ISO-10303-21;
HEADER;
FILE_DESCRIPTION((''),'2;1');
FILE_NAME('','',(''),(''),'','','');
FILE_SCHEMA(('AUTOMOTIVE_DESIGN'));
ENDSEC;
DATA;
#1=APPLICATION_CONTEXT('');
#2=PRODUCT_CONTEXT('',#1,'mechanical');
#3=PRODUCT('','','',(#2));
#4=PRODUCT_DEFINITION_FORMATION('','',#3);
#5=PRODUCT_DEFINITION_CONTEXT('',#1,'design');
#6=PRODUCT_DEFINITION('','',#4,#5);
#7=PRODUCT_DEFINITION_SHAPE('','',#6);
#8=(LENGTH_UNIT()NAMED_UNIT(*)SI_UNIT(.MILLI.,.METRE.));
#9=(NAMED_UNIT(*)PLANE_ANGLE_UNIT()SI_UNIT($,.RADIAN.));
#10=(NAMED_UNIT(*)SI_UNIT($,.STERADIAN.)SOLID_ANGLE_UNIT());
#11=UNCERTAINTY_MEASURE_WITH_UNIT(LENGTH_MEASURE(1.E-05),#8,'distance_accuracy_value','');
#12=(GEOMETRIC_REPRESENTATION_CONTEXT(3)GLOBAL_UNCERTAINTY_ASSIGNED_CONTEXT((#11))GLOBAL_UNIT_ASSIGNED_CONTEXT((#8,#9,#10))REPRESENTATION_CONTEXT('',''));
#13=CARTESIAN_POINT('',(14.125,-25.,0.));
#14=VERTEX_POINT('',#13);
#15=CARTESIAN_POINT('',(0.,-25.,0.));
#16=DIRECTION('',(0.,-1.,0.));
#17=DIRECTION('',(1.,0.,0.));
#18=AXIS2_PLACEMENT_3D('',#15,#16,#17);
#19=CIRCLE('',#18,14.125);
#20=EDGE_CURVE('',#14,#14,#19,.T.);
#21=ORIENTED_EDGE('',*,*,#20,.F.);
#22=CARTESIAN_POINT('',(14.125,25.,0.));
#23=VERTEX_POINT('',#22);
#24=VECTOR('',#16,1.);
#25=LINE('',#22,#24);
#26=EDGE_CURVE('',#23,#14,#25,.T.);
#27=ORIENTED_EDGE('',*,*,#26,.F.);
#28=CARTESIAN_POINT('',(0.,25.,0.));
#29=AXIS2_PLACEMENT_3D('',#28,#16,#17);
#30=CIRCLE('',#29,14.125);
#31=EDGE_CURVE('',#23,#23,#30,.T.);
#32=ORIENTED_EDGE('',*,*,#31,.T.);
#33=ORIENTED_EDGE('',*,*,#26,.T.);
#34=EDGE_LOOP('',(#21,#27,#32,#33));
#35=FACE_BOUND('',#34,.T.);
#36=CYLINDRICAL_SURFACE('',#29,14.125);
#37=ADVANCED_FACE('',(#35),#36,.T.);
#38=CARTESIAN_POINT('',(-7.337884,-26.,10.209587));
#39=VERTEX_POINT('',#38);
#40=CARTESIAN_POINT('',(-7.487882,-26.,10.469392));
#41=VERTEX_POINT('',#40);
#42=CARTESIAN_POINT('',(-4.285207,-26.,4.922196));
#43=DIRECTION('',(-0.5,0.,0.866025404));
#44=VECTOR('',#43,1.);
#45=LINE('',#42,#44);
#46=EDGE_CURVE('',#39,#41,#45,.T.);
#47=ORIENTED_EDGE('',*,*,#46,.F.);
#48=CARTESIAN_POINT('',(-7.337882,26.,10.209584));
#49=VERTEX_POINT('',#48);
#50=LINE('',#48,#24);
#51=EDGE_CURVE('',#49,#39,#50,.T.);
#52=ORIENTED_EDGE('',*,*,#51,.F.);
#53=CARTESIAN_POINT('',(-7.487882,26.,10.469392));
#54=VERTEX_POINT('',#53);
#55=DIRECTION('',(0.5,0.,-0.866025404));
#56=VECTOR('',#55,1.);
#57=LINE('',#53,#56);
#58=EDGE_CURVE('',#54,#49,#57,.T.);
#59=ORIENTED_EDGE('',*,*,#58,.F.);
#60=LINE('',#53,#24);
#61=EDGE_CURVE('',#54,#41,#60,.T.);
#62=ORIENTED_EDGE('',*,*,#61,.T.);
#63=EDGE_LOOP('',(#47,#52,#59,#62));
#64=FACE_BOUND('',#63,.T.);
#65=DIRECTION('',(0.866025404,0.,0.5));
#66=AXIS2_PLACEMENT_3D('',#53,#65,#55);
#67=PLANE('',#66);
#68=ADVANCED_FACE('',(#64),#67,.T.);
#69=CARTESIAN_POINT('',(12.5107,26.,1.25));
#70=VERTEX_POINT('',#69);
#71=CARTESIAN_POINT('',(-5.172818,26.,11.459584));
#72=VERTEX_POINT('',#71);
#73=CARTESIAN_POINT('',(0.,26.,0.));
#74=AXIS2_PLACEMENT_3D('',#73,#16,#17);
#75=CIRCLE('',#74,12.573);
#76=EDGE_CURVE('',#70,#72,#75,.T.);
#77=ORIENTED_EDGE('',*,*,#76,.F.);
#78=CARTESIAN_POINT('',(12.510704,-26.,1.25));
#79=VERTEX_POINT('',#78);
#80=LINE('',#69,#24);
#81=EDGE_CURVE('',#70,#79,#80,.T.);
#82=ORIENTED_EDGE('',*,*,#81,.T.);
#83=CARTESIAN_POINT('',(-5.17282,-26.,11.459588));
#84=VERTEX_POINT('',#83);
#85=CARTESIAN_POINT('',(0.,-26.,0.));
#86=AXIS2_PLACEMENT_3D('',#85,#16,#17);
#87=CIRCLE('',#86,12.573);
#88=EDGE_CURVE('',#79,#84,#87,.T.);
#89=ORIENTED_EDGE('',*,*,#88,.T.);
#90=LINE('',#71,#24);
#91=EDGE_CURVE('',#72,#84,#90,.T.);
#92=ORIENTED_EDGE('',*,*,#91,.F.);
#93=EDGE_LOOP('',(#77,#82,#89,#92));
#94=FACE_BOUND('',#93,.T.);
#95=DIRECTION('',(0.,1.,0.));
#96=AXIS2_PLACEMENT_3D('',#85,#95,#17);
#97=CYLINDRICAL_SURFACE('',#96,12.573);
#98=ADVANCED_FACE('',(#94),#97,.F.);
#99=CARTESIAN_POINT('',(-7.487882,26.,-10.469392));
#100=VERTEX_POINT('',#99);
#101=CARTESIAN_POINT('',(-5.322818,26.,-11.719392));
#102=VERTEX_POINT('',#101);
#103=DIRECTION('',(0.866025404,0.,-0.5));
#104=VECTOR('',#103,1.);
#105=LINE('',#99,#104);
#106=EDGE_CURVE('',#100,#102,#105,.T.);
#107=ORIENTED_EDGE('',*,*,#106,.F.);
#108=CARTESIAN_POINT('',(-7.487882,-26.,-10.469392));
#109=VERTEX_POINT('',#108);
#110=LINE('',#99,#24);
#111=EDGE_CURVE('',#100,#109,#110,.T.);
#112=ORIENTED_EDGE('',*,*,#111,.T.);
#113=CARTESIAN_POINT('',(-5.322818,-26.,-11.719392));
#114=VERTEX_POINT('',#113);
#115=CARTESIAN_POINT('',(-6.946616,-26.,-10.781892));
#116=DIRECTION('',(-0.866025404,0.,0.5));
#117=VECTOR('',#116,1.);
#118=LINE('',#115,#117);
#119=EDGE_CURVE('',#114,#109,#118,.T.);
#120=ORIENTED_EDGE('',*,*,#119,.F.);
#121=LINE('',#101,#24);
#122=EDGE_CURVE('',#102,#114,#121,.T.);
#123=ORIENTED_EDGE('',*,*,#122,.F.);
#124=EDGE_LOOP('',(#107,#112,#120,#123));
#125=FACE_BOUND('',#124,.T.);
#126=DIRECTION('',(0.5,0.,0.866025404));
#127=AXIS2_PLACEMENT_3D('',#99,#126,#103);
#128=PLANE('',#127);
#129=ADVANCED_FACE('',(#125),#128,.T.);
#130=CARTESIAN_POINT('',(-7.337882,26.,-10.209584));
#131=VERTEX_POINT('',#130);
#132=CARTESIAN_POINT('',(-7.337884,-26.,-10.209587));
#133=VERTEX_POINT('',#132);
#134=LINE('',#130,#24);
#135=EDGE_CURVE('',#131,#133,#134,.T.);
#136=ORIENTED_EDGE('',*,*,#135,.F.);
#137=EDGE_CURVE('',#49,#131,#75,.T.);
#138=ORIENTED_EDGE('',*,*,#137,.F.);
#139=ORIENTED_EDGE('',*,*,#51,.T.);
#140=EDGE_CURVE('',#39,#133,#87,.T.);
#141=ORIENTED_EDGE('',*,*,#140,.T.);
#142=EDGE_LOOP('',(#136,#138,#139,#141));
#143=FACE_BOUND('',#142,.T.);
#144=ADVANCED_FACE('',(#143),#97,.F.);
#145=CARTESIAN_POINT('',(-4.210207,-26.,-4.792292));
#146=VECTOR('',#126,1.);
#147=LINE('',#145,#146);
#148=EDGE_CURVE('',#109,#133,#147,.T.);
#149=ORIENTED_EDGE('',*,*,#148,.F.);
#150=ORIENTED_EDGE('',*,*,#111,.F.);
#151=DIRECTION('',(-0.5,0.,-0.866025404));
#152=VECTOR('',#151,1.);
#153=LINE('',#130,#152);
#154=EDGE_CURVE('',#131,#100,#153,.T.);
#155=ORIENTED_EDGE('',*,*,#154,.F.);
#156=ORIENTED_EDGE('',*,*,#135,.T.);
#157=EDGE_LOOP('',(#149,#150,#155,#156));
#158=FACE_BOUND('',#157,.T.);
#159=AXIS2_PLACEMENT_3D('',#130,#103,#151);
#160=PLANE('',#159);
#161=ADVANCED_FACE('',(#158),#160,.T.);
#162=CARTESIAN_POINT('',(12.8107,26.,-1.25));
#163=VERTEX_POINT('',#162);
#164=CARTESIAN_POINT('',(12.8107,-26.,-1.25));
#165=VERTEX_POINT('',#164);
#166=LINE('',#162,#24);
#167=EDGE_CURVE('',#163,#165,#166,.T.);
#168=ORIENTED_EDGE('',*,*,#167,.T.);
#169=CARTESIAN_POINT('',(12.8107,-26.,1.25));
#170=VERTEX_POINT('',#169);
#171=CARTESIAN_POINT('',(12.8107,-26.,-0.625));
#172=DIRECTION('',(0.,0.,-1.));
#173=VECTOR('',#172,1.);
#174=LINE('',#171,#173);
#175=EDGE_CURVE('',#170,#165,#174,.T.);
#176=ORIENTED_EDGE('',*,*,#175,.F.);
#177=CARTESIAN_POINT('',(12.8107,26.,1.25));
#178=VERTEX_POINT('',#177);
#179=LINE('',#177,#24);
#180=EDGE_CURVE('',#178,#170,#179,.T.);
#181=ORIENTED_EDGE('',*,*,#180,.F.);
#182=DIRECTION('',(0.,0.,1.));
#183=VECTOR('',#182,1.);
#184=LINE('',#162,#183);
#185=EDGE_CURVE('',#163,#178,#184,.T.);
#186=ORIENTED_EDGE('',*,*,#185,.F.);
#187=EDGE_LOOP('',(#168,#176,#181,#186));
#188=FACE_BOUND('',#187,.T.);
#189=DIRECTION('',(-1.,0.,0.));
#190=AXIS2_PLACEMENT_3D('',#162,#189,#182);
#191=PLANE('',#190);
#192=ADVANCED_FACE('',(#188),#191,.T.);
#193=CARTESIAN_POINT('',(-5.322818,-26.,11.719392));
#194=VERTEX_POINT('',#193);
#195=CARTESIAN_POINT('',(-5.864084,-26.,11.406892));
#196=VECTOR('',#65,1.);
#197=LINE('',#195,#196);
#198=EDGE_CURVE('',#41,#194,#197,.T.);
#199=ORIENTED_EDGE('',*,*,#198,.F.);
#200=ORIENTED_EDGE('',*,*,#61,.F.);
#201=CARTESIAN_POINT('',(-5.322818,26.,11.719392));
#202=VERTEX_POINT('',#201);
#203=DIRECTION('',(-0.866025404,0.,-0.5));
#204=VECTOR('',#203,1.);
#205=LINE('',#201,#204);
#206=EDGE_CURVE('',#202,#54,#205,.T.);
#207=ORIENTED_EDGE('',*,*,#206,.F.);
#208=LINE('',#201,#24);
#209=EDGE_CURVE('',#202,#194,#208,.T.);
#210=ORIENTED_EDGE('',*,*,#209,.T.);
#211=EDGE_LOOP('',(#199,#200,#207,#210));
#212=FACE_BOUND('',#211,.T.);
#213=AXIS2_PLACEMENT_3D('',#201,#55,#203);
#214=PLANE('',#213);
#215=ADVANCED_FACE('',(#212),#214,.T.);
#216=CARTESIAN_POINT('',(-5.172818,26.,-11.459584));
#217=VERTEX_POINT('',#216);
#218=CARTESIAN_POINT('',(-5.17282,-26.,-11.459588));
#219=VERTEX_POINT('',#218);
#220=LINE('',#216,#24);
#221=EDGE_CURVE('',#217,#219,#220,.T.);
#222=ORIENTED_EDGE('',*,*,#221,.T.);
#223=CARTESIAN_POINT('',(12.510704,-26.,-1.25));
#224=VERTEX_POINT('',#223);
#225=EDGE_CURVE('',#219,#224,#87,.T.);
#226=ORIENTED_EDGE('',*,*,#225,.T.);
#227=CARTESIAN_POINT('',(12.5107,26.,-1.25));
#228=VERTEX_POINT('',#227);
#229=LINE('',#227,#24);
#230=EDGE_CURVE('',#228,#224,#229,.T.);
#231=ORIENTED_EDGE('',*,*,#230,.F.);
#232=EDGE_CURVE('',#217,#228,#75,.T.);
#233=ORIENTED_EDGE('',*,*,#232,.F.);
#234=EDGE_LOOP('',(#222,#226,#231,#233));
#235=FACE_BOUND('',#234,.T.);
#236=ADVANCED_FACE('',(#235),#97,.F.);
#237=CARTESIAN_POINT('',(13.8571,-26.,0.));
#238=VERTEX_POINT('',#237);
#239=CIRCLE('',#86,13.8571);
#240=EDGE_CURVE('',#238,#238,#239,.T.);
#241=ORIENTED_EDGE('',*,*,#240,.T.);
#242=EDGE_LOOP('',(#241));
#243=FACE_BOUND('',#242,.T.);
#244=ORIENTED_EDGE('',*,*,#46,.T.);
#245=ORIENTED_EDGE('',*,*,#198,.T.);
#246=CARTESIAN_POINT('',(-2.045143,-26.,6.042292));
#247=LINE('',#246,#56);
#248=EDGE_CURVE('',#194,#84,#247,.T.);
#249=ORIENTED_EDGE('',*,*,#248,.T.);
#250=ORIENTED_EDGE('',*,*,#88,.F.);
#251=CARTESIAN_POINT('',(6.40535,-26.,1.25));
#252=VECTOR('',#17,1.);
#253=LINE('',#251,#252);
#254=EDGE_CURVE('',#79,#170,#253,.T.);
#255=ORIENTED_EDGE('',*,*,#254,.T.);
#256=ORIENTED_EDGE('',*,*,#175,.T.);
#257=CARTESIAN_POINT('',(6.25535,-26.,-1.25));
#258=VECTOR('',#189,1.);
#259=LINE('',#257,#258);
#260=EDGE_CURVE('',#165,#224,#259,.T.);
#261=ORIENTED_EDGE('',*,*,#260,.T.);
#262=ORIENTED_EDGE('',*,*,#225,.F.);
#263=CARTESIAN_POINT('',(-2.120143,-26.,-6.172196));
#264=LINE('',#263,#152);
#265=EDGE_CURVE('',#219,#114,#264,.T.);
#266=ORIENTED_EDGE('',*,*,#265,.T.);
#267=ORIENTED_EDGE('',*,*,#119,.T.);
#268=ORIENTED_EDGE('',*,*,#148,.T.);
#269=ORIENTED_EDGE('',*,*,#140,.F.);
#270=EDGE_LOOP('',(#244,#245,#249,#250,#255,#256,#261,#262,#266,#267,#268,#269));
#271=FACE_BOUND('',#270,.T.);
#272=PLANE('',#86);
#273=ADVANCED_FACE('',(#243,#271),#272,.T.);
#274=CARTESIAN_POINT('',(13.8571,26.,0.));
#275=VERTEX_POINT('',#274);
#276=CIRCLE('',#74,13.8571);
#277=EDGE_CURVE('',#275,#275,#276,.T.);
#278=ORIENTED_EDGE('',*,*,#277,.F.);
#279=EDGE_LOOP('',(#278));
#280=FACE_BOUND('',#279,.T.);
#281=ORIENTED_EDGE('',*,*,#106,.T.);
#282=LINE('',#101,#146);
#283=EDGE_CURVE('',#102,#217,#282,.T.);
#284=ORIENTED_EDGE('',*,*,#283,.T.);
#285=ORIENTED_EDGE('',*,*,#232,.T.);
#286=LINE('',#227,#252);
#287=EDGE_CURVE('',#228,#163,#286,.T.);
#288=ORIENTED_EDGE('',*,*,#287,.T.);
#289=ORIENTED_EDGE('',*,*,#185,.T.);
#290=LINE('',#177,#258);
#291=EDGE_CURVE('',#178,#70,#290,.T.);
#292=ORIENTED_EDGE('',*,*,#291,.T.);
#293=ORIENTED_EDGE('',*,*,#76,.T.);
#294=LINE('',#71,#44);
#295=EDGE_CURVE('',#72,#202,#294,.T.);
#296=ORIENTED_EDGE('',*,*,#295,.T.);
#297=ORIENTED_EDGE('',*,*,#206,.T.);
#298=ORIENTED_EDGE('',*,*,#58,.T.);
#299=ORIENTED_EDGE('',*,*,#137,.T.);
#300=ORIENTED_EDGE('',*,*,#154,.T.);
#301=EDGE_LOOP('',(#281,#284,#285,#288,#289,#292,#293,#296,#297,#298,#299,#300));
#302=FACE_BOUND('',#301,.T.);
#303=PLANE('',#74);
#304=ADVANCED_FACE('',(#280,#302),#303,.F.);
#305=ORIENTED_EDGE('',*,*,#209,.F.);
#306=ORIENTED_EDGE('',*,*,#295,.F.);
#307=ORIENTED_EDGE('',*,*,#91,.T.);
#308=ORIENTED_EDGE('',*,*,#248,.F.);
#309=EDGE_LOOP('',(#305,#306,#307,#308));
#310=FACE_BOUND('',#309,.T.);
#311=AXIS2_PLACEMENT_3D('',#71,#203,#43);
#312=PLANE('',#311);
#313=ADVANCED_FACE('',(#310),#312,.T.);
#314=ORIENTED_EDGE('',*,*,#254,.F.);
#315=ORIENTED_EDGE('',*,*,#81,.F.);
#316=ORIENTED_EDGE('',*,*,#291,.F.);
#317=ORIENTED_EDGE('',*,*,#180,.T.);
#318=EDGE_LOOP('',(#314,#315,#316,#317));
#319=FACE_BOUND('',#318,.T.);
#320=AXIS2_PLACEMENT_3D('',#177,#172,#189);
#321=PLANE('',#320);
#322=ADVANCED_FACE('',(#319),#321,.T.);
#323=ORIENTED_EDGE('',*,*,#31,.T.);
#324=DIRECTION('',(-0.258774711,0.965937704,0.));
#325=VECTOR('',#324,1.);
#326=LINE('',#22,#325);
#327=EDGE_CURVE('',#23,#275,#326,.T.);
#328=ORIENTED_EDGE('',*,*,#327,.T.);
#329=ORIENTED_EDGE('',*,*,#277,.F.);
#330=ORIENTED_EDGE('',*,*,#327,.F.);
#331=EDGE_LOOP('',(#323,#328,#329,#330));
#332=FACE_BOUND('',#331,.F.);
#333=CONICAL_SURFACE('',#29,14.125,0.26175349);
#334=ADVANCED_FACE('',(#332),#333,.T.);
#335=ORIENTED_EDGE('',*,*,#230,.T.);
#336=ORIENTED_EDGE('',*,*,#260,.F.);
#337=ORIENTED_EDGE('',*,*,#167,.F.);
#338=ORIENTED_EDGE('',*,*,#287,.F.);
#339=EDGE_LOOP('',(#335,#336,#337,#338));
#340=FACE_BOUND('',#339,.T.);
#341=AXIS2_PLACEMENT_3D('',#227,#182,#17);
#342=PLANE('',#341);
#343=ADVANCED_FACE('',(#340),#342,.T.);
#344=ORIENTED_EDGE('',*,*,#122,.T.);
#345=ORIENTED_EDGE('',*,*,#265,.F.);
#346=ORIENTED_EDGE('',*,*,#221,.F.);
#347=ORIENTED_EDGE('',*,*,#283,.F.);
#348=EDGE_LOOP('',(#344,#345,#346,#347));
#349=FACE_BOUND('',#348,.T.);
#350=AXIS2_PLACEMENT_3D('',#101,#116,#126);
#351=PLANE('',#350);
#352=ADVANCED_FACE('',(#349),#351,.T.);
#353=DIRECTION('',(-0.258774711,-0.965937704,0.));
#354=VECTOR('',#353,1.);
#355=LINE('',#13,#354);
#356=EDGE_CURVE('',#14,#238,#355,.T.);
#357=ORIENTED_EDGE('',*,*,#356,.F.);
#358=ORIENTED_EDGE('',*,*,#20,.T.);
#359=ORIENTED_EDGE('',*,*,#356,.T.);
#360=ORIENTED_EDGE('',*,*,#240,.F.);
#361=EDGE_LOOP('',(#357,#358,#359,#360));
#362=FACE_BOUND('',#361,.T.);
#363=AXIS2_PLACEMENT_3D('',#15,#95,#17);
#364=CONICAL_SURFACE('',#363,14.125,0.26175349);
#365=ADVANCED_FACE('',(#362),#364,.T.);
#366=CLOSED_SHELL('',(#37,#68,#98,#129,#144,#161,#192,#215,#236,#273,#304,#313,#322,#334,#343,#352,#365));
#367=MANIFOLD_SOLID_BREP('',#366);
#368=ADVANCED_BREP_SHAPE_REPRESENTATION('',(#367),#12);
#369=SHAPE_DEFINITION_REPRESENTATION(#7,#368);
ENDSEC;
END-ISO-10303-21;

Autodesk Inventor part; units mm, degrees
ref_plane "YZ Plane" through (0, 0, 0) normal (1, 0, 0) x (0, 1, 0)
ref_plane "XZ Plane" through (0, 0, 0) normal (0, 1, 0) x (-1, 0, 0)
ref_plane "XY Plane" through (0, 0, 0) normal (0, 0, 1) x (1, 0, 0)
sketch "Эскиз1" plane through (0, 0, 0) normal (0, 0, 1) x (1, 0, 0)
  line L0 (0, 26) -> (0, -26)
  line L1 (12.573, 26) -> (13.8571, 26)
  line L2 (14.125, 25) -> (14.125, -25)
  line L3 (13.8571, -26) -> (12.573, -26)
  line L4 (12.573, -26) -> (12.573, 26)
  line L5 (14.125, 25) -> (13.8571, 26)
  line L6 (14.125, -25) -> (13.8571, -26)
  point P0 (0, 0)
  point P1 (0, 0)
  point P2 (14.125, -26)
  point P3 (14.125, 26)
  dimension "d0" = 52
  dimension "d1" = 28.25
  dimension "d2" = 25.146
  dimension "d3" = 1
  dimension "d4" = 15
  dimension "d5" = 1
  dimension "d6" = 15
revolve "Вращение1" add sketch "Эскиз1" angle 360 about axis through (0, 26, 0) along (0, -1, 0)
sketch "Эскиз2" plane through (0, 26, 0) normal (0, 1, 0) x (1, 0, 0)
  line L0 (12.5107, 1.25) -> (12.8107, 1.25)
  line L1 (12.8107, 1.25) -> (12.8107, -1.25)
  line L2 (12.8107, -1.25) -> (12.5107, -1.25)
  line L3 (12.5107, -1.25) -> (12.5107, 1.25)
  circle A0 centre (0, 0) radius 12.573 projected
  point P0 (0, 0)
  point P1 (12.5107, 0)
  dimension "d8" = 2.5
  dimension "d10" = 0.3
extrude "Выдавливание1" cut sketch "Эскиз2" against normal through all contours A0 L3 | L0 L1 L2 A0 picked at (12.5222, -0.278)
pattern_circular "Круговой массив1" count 3 over 360 about axis through (0, 0, 0) along (0, -1, 0) of "Выдавливание1"
equation "\"d5\" = d3"
equation "\"d6\" = d4"
properties part number "75. Втулка блока заднего хода"
